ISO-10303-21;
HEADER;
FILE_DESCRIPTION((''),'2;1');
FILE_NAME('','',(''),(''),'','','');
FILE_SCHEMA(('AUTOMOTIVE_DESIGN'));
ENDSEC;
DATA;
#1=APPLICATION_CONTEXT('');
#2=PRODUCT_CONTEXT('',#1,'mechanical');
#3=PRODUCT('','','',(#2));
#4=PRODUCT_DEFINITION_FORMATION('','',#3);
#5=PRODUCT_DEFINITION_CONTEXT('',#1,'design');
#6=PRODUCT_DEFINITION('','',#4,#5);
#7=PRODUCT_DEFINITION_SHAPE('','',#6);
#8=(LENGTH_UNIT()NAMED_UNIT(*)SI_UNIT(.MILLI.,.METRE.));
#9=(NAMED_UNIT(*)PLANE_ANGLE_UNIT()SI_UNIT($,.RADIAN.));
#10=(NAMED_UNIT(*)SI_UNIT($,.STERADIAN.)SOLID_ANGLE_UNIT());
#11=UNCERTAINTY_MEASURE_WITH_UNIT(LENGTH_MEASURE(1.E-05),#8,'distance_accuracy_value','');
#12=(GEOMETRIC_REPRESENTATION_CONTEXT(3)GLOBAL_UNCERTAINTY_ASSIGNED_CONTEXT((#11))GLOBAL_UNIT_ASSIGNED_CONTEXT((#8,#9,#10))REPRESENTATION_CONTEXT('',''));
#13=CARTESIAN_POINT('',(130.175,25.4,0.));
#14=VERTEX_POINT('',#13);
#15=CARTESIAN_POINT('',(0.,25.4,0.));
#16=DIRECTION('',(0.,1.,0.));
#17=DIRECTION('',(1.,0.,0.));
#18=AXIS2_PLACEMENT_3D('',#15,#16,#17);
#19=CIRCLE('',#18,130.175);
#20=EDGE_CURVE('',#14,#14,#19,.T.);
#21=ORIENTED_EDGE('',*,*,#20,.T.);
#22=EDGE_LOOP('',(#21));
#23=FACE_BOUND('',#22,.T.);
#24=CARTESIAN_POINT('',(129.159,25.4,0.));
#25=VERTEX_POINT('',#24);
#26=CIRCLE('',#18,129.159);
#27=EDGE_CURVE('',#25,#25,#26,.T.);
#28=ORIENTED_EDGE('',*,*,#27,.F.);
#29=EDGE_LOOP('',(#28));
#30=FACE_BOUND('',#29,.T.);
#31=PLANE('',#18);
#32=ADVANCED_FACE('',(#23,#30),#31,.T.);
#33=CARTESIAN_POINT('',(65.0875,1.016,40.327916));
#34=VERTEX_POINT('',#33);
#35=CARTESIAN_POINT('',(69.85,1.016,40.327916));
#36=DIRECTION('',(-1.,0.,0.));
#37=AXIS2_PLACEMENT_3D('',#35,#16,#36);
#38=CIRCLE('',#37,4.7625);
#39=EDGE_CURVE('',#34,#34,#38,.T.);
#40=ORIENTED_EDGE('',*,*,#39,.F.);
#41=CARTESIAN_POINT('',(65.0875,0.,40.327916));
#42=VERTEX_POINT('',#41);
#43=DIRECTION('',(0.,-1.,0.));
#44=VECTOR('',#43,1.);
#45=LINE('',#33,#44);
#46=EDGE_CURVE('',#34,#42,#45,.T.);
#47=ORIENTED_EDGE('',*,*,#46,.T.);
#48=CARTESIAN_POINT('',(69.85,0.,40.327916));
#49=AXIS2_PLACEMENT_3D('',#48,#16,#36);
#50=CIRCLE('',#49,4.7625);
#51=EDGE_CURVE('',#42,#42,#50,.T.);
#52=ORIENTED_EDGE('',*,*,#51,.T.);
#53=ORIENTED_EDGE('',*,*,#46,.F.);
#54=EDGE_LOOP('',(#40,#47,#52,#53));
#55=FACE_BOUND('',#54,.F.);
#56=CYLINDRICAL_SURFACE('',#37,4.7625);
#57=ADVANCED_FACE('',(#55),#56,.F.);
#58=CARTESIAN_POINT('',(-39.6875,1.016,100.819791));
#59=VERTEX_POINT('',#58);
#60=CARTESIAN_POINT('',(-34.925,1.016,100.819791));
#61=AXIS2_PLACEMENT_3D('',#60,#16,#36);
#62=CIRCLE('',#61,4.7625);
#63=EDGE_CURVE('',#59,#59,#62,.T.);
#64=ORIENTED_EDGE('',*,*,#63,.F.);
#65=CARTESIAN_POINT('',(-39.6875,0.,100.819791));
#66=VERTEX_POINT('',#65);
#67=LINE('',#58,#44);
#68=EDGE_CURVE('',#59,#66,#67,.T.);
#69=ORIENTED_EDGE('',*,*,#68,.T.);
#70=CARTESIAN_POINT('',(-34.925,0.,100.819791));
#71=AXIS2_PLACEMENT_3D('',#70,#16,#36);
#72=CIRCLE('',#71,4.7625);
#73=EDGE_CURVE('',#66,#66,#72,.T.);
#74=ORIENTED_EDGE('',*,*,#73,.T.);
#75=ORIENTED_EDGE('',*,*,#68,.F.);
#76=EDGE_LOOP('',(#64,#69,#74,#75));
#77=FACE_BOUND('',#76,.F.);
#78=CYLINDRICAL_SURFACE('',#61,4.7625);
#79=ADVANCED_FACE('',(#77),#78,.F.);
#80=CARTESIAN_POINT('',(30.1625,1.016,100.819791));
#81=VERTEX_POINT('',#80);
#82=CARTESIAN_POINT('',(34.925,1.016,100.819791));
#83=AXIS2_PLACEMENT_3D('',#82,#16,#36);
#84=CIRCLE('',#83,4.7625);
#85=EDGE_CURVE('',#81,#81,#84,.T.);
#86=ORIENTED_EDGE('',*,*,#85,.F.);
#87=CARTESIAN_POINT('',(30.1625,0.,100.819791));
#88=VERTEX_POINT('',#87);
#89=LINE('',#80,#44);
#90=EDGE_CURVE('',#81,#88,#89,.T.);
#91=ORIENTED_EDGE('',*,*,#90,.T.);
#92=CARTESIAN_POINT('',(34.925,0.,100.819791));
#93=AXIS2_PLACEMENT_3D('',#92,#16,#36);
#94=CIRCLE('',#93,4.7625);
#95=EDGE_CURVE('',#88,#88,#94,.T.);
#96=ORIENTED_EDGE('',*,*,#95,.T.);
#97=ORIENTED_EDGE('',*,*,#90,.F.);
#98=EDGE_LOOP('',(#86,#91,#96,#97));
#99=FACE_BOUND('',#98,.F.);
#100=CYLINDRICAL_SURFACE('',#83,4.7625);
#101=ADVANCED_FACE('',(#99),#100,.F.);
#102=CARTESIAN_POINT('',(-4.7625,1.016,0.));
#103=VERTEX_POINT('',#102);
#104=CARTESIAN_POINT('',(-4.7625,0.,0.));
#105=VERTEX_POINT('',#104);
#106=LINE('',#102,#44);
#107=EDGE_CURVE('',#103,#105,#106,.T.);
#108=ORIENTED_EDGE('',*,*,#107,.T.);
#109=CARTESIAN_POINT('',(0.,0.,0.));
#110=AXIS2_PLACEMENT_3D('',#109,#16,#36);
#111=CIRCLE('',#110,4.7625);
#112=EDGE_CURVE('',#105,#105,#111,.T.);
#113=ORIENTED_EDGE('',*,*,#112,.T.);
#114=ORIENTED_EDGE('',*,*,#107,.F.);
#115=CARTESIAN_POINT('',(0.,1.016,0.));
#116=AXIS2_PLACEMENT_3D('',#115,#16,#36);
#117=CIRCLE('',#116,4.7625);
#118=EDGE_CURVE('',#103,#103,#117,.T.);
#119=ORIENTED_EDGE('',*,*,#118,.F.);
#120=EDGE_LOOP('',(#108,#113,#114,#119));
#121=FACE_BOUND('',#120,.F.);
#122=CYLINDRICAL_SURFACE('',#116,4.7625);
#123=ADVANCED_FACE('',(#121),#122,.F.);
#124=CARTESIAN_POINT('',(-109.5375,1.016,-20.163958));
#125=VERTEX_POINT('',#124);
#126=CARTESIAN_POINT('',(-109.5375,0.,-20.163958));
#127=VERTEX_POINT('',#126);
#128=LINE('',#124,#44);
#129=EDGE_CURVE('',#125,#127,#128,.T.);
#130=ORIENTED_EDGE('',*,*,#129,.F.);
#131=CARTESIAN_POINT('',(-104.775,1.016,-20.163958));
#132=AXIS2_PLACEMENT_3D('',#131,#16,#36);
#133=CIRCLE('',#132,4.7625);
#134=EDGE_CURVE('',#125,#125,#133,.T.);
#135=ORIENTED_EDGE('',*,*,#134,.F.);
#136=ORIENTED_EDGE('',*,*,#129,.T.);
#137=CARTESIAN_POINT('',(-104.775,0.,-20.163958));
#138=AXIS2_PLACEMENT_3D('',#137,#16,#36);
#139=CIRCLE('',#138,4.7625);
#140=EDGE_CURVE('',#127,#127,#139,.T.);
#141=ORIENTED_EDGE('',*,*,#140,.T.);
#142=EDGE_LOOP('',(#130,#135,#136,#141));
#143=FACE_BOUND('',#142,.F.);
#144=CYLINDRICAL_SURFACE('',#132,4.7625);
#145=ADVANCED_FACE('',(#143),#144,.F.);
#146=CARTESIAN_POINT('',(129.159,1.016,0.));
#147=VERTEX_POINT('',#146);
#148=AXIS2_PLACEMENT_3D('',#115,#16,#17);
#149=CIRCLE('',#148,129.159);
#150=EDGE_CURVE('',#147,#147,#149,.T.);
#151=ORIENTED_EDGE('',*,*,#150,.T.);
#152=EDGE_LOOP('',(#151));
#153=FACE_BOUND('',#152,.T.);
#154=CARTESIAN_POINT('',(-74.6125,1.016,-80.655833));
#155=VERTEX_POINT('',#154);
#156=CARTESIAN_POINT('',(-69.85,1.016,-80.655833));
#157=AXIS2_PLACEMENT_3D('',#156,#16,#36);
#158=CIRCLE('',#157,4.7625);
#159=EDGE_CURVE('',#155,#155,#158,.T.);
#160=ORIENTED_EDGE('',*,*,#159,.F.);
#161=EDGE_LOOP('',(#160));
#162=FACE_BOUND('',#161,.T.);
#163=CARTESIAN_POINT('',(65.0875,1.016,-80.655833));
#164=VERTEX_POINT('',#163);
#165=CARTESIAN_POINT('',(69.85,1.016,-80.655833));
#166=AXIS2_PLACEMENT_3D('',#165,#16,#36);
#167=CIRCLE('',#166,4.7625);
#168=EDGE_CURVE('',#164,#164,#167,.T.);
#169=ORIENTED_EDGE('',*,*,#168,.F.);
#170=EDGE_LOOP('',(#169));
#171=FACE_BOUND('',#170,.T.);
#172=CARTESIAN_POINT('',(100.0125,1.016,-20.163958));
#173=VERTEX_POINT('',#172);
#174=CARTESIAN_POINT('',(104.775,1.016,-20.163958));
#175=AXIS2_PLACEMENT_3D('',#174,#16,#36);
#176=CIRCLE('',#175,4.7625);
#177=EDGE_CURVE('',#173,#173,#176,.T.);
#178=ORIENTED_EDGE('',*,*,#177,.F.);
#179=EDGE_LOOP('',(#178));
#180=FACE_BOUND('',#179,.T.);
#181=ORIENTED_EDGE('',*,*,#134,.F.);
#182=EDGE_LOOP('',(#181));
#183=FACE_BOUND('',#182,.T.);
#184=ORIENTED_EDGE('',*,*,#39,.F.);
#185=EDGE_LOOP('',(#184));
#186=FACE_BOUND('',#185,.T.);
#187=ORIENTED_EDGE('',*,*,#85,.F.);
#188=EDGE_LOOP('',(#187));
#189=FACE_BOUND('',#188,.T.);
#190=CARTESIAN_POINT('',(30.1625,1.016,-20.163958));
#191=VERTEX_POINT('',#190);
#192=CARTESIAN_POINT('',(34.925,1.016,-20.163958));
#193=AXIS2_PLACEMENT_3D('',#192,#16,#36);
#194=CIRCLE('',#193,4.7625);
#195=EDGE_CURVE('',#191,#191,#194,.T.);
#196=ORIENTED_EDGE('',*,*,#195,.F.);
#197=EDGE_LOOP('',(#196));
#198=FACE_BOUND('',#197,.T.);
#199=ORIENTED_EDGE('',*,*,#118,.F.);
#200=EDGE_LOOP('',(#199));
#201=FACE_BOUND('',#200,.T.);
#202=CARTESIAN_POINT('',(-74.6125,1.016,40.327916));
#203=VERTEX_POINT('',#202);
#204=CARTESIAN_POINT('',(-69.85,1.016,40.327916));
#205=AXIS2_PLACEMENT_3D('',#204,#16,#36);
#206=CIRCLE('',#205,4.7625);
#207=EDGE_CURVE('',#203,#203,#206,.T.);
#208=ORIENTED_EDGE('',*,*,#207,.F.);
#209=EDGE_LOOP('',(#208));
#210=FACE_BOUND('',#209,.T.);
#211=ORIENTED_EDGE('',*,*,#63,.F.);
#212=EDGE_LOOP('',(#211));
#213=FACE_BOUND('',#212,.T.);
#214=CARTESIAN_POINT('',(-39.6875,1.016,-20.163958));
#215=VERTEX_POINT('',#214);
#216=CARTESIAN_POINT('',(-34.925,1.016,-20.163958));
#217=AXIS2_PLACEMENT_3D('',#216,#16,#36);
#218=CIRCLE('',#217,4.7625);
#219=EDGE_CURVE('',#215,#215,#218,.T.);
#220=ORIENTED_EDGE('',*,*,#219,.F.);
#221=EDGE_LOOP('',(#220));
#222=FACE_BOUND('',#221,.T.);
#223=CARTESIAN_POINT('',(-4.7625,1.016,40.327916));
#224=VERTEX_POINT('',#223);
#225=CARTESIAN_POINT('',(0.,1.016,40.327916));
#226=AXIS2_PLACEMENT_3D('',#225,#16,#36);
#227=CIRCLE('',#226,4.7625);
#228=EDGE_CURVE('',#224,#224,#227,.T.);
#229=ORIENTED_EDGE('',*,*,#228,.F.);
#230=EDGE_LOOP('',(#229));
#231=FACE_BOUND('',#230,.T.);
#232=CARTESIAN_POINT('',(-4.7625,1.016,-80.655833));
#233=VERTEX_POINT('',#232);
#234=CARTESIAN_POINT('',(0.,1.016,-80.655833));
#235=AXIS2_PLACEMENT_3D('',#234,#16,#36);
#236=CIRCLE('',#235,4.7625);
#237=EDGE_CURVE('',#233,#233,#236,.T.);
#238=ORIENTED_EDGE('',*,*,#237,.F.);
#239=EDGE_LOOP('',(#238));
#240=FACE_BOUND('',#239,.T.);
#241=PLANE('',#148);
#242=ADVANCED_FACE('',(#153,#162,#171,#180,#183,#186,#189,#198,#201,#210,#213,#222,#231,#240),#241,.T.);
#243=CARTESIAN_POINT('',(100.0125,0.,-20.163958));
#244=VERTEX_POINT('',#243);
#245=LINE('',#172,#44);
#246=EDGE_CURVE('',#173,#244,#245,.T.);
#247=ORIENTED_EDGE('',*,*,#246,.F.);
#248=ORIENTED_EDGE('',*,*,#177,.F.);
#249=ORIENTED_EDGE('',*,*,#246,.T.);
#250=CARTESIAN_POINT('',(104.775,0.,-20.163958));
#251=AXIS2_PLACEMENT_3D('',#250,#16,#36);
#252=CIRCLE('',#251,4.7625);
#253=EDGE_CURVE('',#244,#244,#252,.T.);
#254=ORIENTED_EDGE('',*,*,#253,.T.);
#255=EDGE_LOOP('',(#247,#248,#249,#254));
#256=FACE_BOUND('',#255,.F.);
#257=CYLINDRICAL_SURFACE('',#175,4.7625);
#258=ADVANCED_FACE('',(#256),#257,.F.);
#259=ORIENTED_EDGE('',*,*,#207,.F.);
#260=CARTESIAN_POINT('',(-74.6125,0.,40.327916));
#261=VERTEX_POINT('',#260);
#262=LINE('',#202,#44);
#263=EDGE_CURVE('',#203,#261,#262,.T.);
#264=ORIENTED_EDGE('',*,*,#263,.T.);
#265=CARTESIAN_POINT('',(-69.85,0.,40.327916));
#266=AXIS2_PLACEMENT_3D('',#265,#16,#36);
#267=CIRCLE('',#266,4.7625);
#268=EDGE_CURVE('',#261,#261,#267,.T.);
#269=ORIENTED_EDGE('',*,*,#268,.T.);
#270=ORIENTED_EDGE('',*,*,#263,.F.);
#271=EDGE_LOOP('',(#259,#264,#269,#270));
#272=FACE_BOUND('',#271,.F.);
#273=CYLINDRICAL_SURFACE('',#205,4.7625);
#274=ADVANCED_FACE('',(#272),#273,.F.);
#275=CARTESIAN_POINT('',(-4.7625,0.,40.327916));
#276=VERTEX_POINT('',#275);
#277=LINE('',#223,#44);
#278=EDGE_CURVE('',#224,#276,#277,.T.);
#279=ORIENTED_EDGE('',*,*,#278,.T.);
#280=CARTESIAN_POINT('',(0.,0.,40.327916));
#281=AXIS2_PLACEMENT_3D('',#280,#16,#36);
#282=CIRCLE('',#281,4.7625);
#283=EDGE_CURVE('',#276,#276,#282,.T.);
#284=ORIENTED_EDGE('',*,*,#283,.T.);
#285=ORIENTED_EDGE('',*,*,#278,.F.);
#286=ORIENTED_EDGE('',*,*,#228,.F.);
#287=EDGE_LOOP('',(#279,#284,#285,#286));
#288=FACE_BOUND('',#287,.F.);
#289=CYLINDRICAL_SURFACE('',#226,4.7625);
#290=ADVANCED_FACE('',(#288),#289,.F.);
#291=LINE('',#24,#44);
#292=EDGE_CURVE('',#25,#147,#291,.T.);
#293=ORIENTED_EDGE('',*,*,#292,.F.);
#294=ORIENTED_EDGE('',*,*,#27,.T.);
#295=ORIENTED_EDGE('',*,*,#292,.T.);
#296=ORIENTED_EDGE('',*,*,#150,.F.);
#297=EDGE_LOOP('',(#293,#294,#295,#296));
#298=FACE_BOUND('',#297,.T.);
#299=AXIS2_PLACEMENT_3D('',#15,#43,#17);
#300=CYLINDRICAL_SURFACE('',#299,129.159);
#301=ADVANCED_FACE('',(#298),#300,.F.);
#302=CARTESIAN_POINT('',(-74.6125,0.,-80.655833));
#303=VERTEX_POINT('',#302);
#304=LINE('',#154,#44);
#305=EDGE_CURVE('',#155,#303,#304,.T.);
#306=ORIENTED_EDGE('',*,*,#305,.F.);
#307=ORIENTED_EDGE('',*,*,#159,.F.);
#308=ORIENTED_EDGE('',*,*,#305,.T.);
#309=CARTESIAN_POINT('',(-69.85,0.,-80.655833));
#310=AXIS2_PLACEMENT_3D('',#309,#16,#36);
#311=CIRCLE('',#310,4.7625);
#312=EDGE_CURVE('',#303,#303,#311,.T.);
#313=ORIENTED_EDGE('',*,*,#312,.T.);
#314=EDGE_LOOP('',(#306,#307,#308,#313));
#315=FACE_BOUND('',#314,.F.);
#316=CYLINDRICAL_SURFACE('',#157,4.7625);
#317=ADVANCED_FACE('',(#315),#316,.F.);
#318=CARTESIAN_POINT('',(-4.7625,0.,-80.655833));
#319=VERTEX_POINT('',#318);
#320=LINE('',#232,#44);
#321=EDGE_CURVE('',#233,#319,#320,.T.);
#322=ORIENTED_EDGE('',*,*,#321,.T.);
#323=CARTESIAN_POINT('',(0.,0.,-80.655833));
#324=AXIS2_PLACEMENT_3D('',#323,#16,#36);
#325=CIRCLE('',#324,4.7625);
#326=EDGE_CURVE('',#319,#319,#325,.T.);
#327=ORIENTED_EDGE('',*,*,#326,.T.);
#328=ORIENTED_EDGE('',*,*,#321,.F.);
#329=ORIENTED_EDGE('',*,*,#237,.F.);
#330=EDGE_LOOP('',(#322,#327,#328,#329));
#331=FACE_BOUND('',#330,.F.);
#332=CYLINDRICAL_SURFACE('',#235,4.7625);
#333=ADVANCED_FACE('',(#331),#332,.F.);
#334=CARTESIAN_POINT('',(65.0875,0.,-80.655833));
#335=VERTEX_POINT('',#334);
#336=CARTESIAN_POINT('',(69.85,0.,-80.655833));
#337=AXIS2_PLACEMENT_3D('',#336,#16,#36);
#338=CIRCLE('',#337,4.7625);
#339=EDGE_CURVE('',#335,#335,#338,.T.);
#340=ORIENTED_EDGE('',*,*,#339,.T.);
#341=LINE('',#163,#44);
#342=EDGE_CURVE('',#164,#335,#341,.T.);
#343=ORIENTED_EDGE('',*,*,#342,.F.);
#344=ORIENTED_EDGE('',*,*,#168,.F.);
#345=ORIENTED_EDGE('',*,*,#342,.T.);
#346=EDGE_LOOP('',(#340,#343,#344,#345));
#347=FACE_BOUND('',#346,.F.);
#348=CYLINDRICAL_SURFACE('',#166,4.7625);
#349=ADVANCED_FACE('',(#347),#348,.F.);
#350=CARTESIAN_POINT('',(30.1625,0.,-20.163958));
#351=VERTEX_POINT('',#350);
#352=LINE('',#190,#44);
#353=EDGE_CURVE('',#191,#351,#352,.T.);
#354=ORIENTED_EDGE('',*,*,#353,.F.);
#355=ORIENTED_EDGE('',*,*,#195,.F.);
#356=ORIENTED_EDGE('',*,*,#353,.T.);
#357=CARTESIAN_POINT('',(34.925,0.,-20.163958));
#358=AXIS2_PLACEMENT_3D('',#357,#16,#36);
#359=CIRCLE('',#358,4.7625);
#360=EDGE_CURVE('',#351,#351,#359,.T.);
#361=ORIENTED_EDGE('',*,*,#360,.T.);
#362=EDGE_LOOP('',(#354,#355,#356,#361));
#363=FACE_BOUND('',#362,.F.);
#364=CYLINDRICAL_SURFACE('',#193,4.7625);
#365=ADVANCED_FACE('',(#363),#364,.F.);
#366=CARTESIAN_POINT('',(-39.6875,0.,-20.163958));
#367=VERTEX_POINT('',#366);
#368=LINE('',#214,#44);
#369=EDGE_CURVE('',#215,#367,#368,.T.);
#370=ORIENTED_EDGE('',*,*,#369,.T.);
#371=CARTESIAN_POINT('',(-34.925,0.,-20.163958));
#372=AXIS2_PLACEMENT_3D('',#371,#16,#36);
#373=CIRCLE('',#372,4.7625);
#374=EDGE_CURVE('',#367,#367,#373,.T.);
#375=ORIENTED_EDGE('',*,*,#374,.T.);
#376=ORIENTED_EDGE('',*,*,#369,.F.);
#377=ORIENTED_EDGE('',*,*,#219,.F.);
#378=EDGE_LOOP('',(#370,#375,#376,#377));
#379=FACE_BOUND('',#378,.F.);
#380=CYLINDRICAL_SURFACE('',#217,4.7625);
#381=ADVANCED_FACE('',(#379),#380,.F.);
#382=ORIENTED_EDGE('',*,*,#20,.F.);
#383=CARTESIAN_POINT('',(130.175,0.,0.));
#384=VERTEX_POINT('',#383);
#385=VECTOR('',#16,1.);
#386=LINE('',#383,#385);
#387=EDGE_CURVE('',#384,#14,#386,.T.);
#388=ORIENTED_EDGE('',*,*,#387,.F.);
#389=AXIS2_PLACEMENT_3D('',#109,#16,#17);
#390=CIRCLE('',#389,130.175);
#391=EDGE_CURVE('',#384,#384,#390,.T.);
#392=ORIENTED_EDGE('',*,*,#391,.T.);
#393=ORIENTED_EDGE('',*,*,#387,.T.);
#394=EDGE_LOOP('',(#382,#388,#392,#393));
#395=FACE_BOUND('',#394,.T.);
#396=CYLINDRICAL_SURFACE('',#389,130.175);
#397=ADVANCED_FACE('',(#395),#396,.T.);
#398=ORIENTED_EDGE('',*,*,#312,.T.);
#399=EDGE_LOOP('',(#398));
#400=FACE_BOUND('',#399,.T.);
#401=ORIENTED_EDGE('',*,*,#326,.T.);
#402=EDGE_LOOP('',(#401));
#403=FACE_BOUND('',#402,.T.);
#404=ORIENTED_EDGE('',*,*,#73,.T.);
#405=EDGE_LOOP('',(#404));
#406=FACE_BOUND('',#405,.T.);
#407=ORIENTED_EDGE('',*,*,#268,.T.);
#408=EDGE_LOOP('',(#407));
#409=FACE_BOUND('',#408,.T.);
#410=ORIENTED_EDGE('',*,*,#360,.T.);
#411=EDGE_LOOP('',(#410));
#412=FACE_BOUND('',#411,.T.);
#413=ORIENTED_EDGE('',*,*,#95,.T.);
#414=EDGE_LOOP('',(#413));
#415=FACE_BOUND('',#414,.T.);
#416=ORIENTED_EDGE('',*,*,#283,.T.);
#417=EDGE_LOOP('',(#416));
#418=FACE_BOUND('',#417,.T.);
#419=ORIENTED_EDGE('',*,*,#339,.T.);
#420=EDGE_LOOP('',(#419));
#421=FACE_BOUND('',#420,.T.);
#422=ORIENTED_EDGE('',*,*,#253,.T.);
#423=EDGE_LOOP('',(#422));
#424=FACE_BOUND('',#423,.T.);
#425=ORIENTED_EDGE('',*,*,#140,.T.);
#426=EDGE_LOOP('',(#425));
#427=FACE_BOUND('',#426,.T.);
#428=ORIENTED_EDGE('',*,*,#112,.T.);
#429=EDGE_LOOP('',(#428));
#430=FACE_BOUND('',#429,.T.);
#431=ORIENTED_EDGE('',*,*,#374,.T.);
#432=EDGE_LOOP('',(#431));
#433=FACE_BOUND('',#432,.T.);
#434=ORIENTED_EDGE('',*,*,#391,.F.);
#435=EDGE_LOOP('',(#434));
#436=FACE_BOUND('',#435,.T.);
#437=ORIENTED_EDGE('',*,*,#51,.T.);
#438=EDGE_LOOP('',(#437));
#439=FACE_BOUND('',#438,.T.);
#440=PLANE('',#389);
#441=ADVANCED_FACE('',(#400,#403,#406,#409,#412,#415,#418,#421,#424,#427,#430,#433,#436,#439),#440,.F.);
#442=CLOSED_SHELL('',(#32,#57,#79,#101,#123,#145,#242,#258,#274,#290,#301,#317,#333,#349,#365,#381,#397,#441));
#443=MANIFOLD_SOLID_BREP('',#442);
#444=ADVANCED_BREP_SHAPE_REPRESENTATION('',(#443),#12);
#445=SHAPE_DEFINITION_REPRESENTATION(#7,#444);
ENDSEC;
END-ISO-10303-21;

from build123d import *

# Parameters (mm, degrees)
F2_R     = 4.7625
F3_DEPTH = 1.017


with BuildPart() as f1:
    # F0 (on Top) → F1 (revolve)
    with BuildSketch(Plane.XY):
        Polygon((0, 1.016), (0, 0), (130.175, 0), (130.175, 25.4), (129.159, 25.4), (129.159, 1.016), align=None)
    revolve(axis=Axis((0, 0.508, 0), (0, 1, 0)))

    # F2 (on face) → F3 (cut, through all)
    with BuildSketch(Plane(origin=(0, 1.016, 0), x_dir=(-1, 0, 0), z_dir=(0, 1, 0))):
        Circle(F2_R)
        with Locations((-69.85, 40.327916)):
            Circle(F2_R)
        with Locations((-34.925, -20.163958)):
            Circle(F2_R)
        with Locations((34.925, -20.163958)):
            Circle(F2_R)
        with Locations((0, 40.327916)):
            Circle(F2_R)
        with Locations((-34.925, 100.819791)):
            Circle(F2_R)
        with Locations((-104.775, -20.163958)):
            Circle(F2_R)
        with Locations((34.925, 100.819791)):
            Circle(F2_R)
        with Locations((69.85, 40.327916)):
            Circle(F2_R)
        with Locations((0, -80.655833)):
            Circle(F2_R)
        with Locations((-69.85, -80.655833)):
            Circle(F2_R)
        with Locations((69.85, -80.655833)):
            Circle(F2_R)
        with Locations((104.775, -20.163958)):
            Circle(F2_R)
    extrude(amount=-F3_DEPTH, mode=Mode.SUBTRACT)


solid = f1.part
